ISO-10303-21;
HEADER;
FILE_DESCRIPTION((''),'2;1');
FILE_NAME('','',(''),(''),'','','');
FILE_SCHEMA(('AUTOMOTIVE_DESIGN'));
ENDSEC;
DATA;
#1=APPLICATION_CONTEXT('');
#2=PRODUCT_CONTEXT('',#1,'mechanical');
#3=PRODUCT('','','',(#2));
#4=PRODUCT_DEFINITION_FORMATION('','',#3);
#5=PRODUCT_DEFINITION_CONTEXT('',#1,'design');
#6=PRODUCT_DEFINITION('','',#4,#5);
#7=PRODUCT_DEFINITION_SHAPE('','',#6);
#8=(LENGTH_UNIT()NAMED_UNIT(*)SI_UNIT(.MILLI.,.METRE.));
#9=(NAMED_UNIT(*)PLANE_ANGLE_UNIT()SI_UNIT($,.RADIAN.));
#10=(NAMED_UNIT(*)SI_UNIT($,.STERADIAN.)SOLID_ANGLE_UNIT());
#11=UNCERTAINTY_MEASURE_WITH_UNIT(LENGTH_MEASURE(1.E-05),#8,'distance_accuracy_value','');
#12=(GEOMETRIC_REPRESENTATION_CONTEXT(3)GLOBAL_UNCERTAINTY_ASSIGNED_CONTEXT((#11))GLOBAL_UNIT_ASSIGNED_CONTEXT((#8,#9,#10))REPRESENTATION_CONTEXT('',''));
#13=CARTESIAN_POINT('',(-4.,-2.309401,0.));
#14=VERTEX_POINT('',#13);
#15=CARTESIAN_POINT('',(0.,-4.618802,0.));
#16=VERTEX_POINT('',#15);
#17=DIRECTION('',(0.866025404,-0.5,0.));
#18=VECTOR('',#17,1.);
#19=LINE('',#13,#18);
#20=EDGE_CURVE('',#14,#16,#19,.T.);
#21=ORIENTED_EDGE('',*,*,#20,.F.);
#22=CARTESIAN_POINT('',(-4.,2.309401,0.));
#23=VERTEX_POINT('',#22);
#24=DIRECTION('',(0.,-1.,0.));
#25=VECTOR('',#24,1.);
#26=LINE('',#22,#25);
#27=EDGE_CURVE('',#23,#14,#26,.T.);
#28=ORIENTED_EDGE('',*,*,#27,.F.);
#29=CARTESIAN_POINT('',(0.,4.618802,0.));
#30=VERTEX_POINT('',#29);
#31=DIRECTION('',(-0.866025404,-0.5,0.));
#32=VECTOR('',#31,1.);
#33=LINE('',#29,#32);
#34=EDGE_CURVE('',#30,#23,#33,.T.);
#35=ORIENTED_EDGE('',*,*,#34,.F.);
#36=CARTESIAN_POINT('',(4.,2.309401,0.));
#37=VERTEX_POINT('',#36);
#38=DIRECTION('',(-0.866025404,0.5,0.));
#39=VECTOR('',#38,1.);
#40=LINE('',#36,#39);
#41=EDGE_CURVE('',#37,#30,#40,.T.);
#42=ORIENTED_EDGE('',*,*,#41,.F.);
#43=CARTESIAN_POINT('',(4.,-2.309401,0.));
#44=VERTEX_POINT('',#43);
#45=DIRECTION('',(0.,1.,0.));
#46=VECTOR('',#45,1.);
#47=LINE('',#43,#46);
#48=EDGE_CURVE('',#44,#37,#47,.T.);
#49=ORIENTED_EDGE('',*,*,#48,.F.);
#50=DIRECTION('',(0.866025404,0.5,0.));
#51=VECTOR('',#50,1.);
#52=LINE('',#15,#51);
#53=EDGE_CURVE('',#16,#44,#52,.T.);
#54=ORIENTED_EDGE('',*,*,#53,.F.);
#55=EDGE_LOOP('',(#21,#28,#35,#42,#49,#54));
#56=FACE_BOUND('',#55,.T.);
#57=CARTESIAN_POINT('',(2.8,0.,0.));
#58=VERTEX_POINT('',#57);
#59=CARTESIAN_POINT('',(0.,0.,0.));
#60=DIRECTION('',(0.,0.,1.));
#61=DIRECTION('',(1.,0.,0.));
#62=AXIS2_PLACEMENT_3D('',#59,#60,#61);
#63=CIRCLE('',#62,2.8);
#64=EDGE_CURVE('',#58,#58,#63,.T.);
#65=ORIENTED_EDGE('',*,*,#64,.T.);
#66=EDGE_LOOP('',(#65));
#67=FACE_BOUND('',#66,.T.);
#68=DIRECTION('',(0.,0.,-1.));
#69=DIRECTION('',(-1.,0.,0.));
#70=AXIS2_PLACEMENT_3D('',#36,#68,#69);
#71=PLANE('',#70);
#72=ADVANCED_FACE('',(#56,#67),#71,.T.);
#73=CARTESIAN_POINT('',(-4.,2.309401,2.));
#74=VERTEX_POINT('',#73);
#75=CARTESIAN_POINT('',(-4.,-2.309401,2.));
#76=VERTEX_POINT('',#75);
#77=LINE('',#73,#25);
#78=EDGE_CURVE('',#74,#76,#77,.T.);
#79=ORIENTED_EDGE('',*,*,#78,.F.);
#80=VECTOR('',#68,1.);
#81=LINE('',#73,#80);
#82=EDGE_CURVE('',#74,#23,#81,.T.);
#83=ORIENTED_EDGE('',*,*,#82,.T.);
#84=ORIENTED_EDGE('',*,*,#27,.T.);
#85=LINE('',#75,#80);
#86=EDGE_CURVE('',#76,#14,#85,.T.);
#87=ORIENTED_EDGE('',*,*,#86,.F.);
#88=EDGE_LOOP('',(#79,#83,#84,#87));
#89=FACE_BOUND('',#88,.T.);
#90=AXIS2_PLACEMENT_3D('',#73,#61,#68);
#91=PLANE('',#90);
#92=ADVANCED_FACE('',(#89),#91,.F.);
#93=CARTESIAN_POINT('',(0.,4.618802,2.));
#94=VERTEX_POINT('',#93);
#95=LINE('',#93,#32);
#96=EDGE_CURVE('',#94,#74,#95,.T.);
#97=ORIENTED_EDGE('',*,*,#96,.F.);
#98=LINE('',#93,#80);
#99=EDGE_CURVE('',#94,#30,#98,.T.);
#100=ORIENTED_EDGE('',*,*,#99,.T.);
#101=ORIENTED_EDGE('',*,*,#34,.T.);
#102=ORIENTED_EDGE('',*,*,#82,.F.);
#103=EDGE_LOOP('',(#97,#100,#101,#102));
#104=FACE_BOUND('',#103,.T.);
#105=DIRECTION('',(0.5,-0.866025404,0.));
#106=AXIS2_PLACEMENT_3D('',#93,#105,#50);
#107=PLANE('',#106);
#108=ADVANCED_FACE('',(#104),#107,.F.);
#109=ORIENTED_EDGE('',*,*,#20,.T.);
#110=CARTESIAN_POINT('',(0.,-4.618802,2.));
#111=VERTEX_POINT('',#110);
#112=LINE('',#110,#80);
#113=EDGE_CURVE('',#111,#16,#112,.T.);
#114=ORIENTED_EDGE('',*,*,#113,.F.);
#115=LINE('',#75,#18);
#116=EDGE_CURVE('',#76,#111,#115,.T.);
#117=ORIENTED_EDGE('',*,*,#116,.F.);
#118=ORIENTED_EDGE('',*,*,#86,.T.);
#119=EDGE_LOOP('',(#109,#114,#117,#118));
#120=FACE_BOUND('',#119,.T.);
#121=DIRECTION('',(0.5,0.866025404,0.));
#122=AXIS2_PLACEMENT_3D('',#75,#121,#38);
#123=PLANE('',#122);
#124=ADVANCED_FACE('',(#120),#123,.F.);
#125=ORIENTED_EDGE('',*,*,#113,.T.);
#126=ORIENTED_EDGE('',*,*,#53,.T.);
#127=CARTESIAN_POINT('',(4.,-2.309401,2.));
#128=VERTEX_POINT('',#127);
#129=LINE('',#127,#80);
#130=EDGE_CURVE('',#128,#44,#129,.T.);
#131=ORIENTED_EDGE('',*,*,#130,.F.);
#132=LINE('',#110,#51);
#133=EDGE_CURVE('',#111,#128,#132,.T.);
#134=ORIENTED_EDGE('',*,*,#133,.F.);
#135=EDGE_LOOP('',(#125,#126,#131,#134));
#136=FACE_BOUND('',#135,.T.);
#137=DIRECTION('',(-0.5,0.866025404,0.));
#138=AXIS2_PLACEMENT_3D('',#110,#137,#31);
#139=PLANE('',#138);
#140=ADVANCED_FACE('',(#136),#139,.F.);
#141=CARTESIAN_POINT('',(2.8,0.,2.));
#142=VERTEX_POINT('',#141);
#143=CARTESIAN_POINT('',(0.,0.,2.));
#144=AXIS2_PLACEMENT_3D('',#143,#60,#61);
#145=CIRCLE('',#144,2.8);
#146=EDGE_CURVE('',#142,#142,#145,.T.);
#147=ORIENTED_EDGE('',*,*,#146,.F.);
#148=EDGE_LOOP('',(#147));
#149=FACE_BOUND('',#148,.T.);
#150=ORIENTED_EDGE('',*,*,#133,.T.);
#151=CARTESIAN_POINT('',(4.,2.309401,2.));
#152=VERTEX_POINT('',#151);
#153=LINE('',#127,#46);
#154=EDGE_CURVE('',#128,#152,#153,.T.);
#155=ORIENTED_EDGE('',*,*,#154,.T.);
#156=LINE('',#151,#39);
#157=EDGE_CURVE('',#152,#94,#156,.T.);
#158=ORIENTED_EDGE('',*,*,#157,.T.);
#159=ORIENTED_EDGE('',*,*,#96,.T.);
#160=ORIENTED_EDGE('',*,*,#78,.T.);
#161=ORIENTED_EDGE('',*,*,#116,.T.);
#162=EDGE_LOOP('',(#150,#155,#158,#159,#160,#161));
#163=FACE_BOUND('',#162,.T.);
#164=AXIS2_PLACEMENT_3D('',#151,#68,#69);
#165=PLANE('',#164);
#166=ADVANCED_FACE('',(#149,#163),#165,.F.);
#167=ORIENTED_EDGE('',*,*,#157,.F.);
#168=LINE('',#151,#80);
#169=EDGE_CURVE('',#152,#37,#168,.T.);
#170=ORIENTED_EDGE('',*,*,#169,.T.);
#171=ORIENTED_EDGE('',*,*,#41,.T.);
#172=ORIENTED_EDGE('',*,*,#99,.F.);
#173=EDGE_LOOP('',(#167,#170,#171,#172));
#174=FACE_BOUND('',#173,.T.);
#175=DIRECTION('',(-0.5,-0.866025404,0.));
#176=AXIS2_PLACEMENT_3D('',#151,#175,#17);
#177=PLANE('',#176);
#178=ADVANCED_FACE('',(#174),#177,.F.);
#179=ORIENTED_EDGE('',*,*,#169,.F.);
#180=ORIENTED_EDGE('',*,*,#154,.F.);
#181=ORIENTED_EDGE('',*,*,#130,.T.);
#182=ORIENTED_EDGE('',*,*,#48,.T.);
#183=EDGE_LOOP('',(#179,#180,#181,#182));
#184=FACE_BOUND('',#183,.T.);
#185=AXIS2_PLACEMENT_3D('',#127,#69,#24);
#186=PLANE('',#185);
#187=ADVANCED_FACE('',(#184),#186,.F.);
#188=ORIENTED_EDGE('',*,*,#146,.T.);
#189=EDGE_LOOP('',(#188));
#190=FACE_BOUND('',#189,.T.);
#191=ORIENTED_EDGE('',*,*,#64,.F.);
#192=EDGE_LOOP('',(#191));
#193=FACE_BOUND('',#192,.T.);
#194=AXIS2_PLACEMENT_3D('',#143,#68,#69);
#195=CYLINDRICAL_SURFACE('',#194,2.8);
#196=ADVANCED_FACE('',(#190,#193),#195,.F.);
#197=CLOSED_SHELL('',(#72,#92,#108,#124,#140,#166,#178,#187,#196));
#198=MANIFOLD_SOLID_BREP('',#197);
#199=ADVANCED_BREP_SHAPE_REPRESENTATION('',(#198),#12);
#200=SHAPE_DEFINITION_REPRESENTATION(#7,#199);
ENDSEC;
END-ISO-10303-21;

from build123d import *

# Parameters (mm, degrees)
SKETCH_1_R      = 2.8
EXTRUDE_1_DEPTH = 2


with BuildPart() as part:
    # Эскиз1 → Вытянуть1 (new body)
    with BuildSketch(Plane.XY):
        Polygon((0, 4.618802154), (-4, 2.309401077), (-4, -2.309401077), (0, -4.618802154), (4, -2.309401077), (4, 2.309401077), align=None)
        Circle(SKETCH_1_R, mode=Mode.SUBTRACT)
    extrude(amount=EXTRUDE_1_DEPTH)


solid = part.part
